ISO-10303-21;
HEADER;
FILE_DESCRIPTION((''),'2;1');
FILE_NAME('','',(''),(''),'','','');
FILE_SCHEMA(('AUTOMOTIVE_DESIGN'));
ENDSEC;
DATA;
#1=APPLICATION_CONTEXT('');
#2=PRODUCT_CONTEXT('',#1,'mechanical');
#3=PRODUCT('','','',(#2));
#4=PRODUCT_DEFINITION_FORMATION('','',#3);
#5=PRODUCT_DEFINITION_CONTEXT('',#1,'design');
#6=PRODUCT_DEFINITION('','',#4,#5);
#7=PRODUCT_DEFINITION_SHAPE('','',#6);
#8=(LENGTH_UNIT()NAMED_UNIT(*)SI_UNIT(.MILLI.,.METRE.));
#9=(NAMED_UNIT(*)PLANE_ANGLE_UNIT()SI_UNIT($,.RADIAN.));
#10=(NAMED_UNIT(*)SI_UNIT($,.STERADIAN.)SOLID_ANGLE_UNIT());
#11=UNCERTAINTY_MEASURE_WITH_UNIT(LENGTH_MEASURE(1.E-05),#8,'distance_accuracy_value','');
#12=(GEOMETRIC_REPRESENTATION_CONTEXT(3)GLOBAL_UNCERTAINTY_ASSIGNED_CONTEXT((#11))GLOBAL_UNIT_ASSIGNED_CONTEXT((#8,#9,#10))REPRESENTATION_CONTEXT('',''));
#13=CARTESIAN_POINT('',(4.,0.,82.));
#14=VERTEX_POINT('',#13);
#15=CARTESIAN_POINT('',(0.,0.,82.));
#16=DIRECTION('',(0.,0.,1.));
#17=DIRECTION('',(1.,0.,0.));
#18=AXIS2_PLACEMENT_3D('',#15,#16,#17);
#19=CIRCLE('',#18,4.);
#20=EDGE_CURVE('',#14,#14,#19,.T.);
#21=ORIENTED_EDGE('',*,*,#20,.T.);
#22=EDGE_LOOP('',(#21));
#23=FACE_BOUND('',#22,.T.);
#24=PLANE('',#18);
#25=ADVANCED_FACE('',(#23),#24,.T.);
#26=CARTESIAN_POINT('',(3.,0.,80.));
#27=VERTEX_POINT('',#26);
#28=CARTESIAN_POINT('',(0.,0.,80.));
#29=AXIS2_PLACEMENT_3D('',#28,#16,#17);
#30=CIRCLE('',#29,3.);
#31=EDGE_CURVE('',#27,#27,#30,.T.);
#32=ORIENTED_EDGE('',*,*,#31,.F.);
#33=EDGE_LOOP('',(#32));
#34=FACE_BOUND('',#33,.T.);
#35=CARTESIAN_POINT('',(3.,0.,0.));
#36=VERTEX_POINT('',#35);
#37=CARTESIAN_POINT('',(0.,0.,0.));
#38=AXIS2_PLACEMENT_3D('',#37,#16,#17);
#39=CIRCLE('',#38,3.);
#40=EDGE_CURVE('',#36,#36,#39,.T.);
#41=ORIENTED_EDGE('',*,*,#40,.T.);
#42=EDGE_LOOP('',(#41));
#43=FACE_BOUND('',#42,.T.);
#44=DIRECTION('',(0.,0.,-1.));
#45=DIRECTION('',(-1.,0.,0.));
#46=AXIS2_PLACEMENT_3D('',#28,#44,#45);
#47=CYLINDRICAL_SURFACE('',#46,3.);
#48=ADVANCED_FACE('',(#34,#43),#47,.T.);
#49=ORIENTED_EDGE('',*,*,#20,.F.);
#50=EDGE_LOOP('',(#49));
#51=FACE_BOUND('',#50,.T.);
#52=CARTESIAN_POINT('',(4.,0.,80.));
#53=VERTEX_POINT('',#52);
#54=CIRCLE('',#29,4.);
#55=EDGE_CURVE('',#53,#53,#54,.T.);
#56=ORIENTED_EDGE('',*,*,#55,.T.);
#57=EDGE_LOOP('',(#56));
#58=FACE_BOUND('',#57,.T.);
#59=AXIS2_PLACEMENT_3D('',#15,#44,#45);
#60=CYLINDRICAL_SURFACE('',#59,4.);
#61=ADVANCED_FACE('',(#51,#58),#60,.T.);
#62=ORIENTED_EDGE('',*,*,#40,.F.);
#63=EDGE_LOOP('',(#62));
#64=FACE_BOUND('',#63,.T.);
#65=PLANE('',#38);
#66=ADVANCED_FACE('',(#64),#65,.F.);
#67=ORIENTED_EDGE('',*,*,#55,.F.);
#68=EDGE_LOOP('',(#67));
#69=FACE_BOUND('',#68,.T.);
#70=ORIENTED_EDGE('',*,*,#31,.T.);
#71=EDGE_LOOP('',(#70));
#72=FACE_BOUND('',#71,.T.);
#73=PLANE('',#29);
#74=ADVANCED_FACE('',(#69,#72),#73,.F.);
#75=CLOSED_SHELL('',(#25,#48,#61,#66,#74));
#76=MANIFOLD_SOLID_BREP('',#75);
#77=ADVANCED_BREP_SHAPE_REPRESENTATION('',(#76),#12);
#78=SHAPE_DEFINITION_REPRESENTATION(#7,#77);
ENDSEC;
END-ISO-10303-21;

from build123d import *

# Parameters (mm, degrees)
ESQUISSE1_R        = 3
BOSS_EXTRU_1_DEPTH = 80
ESQUISSE2_R        = 4
BOSS_EXTRU_2_DEPTH = 2


with BuildPart() as part:
    # Esquisse1 → Boss.-Extru.1 (new body)
    with BuildSketch(Plane.XY):
        Circle(ESQUISSE1_R)
    extrude(amount=BOSS_EXTRU_1_DEPTH)

    # Esquisse2 → Boss.-Extru.2 (add)
    with BuildSketch(Plane.XY.offset(80)):
        Circle(ESQUISSE2_R)
    extrude(amount=BOSS_EXTRU_2_DEPTH)


solid = part.part
